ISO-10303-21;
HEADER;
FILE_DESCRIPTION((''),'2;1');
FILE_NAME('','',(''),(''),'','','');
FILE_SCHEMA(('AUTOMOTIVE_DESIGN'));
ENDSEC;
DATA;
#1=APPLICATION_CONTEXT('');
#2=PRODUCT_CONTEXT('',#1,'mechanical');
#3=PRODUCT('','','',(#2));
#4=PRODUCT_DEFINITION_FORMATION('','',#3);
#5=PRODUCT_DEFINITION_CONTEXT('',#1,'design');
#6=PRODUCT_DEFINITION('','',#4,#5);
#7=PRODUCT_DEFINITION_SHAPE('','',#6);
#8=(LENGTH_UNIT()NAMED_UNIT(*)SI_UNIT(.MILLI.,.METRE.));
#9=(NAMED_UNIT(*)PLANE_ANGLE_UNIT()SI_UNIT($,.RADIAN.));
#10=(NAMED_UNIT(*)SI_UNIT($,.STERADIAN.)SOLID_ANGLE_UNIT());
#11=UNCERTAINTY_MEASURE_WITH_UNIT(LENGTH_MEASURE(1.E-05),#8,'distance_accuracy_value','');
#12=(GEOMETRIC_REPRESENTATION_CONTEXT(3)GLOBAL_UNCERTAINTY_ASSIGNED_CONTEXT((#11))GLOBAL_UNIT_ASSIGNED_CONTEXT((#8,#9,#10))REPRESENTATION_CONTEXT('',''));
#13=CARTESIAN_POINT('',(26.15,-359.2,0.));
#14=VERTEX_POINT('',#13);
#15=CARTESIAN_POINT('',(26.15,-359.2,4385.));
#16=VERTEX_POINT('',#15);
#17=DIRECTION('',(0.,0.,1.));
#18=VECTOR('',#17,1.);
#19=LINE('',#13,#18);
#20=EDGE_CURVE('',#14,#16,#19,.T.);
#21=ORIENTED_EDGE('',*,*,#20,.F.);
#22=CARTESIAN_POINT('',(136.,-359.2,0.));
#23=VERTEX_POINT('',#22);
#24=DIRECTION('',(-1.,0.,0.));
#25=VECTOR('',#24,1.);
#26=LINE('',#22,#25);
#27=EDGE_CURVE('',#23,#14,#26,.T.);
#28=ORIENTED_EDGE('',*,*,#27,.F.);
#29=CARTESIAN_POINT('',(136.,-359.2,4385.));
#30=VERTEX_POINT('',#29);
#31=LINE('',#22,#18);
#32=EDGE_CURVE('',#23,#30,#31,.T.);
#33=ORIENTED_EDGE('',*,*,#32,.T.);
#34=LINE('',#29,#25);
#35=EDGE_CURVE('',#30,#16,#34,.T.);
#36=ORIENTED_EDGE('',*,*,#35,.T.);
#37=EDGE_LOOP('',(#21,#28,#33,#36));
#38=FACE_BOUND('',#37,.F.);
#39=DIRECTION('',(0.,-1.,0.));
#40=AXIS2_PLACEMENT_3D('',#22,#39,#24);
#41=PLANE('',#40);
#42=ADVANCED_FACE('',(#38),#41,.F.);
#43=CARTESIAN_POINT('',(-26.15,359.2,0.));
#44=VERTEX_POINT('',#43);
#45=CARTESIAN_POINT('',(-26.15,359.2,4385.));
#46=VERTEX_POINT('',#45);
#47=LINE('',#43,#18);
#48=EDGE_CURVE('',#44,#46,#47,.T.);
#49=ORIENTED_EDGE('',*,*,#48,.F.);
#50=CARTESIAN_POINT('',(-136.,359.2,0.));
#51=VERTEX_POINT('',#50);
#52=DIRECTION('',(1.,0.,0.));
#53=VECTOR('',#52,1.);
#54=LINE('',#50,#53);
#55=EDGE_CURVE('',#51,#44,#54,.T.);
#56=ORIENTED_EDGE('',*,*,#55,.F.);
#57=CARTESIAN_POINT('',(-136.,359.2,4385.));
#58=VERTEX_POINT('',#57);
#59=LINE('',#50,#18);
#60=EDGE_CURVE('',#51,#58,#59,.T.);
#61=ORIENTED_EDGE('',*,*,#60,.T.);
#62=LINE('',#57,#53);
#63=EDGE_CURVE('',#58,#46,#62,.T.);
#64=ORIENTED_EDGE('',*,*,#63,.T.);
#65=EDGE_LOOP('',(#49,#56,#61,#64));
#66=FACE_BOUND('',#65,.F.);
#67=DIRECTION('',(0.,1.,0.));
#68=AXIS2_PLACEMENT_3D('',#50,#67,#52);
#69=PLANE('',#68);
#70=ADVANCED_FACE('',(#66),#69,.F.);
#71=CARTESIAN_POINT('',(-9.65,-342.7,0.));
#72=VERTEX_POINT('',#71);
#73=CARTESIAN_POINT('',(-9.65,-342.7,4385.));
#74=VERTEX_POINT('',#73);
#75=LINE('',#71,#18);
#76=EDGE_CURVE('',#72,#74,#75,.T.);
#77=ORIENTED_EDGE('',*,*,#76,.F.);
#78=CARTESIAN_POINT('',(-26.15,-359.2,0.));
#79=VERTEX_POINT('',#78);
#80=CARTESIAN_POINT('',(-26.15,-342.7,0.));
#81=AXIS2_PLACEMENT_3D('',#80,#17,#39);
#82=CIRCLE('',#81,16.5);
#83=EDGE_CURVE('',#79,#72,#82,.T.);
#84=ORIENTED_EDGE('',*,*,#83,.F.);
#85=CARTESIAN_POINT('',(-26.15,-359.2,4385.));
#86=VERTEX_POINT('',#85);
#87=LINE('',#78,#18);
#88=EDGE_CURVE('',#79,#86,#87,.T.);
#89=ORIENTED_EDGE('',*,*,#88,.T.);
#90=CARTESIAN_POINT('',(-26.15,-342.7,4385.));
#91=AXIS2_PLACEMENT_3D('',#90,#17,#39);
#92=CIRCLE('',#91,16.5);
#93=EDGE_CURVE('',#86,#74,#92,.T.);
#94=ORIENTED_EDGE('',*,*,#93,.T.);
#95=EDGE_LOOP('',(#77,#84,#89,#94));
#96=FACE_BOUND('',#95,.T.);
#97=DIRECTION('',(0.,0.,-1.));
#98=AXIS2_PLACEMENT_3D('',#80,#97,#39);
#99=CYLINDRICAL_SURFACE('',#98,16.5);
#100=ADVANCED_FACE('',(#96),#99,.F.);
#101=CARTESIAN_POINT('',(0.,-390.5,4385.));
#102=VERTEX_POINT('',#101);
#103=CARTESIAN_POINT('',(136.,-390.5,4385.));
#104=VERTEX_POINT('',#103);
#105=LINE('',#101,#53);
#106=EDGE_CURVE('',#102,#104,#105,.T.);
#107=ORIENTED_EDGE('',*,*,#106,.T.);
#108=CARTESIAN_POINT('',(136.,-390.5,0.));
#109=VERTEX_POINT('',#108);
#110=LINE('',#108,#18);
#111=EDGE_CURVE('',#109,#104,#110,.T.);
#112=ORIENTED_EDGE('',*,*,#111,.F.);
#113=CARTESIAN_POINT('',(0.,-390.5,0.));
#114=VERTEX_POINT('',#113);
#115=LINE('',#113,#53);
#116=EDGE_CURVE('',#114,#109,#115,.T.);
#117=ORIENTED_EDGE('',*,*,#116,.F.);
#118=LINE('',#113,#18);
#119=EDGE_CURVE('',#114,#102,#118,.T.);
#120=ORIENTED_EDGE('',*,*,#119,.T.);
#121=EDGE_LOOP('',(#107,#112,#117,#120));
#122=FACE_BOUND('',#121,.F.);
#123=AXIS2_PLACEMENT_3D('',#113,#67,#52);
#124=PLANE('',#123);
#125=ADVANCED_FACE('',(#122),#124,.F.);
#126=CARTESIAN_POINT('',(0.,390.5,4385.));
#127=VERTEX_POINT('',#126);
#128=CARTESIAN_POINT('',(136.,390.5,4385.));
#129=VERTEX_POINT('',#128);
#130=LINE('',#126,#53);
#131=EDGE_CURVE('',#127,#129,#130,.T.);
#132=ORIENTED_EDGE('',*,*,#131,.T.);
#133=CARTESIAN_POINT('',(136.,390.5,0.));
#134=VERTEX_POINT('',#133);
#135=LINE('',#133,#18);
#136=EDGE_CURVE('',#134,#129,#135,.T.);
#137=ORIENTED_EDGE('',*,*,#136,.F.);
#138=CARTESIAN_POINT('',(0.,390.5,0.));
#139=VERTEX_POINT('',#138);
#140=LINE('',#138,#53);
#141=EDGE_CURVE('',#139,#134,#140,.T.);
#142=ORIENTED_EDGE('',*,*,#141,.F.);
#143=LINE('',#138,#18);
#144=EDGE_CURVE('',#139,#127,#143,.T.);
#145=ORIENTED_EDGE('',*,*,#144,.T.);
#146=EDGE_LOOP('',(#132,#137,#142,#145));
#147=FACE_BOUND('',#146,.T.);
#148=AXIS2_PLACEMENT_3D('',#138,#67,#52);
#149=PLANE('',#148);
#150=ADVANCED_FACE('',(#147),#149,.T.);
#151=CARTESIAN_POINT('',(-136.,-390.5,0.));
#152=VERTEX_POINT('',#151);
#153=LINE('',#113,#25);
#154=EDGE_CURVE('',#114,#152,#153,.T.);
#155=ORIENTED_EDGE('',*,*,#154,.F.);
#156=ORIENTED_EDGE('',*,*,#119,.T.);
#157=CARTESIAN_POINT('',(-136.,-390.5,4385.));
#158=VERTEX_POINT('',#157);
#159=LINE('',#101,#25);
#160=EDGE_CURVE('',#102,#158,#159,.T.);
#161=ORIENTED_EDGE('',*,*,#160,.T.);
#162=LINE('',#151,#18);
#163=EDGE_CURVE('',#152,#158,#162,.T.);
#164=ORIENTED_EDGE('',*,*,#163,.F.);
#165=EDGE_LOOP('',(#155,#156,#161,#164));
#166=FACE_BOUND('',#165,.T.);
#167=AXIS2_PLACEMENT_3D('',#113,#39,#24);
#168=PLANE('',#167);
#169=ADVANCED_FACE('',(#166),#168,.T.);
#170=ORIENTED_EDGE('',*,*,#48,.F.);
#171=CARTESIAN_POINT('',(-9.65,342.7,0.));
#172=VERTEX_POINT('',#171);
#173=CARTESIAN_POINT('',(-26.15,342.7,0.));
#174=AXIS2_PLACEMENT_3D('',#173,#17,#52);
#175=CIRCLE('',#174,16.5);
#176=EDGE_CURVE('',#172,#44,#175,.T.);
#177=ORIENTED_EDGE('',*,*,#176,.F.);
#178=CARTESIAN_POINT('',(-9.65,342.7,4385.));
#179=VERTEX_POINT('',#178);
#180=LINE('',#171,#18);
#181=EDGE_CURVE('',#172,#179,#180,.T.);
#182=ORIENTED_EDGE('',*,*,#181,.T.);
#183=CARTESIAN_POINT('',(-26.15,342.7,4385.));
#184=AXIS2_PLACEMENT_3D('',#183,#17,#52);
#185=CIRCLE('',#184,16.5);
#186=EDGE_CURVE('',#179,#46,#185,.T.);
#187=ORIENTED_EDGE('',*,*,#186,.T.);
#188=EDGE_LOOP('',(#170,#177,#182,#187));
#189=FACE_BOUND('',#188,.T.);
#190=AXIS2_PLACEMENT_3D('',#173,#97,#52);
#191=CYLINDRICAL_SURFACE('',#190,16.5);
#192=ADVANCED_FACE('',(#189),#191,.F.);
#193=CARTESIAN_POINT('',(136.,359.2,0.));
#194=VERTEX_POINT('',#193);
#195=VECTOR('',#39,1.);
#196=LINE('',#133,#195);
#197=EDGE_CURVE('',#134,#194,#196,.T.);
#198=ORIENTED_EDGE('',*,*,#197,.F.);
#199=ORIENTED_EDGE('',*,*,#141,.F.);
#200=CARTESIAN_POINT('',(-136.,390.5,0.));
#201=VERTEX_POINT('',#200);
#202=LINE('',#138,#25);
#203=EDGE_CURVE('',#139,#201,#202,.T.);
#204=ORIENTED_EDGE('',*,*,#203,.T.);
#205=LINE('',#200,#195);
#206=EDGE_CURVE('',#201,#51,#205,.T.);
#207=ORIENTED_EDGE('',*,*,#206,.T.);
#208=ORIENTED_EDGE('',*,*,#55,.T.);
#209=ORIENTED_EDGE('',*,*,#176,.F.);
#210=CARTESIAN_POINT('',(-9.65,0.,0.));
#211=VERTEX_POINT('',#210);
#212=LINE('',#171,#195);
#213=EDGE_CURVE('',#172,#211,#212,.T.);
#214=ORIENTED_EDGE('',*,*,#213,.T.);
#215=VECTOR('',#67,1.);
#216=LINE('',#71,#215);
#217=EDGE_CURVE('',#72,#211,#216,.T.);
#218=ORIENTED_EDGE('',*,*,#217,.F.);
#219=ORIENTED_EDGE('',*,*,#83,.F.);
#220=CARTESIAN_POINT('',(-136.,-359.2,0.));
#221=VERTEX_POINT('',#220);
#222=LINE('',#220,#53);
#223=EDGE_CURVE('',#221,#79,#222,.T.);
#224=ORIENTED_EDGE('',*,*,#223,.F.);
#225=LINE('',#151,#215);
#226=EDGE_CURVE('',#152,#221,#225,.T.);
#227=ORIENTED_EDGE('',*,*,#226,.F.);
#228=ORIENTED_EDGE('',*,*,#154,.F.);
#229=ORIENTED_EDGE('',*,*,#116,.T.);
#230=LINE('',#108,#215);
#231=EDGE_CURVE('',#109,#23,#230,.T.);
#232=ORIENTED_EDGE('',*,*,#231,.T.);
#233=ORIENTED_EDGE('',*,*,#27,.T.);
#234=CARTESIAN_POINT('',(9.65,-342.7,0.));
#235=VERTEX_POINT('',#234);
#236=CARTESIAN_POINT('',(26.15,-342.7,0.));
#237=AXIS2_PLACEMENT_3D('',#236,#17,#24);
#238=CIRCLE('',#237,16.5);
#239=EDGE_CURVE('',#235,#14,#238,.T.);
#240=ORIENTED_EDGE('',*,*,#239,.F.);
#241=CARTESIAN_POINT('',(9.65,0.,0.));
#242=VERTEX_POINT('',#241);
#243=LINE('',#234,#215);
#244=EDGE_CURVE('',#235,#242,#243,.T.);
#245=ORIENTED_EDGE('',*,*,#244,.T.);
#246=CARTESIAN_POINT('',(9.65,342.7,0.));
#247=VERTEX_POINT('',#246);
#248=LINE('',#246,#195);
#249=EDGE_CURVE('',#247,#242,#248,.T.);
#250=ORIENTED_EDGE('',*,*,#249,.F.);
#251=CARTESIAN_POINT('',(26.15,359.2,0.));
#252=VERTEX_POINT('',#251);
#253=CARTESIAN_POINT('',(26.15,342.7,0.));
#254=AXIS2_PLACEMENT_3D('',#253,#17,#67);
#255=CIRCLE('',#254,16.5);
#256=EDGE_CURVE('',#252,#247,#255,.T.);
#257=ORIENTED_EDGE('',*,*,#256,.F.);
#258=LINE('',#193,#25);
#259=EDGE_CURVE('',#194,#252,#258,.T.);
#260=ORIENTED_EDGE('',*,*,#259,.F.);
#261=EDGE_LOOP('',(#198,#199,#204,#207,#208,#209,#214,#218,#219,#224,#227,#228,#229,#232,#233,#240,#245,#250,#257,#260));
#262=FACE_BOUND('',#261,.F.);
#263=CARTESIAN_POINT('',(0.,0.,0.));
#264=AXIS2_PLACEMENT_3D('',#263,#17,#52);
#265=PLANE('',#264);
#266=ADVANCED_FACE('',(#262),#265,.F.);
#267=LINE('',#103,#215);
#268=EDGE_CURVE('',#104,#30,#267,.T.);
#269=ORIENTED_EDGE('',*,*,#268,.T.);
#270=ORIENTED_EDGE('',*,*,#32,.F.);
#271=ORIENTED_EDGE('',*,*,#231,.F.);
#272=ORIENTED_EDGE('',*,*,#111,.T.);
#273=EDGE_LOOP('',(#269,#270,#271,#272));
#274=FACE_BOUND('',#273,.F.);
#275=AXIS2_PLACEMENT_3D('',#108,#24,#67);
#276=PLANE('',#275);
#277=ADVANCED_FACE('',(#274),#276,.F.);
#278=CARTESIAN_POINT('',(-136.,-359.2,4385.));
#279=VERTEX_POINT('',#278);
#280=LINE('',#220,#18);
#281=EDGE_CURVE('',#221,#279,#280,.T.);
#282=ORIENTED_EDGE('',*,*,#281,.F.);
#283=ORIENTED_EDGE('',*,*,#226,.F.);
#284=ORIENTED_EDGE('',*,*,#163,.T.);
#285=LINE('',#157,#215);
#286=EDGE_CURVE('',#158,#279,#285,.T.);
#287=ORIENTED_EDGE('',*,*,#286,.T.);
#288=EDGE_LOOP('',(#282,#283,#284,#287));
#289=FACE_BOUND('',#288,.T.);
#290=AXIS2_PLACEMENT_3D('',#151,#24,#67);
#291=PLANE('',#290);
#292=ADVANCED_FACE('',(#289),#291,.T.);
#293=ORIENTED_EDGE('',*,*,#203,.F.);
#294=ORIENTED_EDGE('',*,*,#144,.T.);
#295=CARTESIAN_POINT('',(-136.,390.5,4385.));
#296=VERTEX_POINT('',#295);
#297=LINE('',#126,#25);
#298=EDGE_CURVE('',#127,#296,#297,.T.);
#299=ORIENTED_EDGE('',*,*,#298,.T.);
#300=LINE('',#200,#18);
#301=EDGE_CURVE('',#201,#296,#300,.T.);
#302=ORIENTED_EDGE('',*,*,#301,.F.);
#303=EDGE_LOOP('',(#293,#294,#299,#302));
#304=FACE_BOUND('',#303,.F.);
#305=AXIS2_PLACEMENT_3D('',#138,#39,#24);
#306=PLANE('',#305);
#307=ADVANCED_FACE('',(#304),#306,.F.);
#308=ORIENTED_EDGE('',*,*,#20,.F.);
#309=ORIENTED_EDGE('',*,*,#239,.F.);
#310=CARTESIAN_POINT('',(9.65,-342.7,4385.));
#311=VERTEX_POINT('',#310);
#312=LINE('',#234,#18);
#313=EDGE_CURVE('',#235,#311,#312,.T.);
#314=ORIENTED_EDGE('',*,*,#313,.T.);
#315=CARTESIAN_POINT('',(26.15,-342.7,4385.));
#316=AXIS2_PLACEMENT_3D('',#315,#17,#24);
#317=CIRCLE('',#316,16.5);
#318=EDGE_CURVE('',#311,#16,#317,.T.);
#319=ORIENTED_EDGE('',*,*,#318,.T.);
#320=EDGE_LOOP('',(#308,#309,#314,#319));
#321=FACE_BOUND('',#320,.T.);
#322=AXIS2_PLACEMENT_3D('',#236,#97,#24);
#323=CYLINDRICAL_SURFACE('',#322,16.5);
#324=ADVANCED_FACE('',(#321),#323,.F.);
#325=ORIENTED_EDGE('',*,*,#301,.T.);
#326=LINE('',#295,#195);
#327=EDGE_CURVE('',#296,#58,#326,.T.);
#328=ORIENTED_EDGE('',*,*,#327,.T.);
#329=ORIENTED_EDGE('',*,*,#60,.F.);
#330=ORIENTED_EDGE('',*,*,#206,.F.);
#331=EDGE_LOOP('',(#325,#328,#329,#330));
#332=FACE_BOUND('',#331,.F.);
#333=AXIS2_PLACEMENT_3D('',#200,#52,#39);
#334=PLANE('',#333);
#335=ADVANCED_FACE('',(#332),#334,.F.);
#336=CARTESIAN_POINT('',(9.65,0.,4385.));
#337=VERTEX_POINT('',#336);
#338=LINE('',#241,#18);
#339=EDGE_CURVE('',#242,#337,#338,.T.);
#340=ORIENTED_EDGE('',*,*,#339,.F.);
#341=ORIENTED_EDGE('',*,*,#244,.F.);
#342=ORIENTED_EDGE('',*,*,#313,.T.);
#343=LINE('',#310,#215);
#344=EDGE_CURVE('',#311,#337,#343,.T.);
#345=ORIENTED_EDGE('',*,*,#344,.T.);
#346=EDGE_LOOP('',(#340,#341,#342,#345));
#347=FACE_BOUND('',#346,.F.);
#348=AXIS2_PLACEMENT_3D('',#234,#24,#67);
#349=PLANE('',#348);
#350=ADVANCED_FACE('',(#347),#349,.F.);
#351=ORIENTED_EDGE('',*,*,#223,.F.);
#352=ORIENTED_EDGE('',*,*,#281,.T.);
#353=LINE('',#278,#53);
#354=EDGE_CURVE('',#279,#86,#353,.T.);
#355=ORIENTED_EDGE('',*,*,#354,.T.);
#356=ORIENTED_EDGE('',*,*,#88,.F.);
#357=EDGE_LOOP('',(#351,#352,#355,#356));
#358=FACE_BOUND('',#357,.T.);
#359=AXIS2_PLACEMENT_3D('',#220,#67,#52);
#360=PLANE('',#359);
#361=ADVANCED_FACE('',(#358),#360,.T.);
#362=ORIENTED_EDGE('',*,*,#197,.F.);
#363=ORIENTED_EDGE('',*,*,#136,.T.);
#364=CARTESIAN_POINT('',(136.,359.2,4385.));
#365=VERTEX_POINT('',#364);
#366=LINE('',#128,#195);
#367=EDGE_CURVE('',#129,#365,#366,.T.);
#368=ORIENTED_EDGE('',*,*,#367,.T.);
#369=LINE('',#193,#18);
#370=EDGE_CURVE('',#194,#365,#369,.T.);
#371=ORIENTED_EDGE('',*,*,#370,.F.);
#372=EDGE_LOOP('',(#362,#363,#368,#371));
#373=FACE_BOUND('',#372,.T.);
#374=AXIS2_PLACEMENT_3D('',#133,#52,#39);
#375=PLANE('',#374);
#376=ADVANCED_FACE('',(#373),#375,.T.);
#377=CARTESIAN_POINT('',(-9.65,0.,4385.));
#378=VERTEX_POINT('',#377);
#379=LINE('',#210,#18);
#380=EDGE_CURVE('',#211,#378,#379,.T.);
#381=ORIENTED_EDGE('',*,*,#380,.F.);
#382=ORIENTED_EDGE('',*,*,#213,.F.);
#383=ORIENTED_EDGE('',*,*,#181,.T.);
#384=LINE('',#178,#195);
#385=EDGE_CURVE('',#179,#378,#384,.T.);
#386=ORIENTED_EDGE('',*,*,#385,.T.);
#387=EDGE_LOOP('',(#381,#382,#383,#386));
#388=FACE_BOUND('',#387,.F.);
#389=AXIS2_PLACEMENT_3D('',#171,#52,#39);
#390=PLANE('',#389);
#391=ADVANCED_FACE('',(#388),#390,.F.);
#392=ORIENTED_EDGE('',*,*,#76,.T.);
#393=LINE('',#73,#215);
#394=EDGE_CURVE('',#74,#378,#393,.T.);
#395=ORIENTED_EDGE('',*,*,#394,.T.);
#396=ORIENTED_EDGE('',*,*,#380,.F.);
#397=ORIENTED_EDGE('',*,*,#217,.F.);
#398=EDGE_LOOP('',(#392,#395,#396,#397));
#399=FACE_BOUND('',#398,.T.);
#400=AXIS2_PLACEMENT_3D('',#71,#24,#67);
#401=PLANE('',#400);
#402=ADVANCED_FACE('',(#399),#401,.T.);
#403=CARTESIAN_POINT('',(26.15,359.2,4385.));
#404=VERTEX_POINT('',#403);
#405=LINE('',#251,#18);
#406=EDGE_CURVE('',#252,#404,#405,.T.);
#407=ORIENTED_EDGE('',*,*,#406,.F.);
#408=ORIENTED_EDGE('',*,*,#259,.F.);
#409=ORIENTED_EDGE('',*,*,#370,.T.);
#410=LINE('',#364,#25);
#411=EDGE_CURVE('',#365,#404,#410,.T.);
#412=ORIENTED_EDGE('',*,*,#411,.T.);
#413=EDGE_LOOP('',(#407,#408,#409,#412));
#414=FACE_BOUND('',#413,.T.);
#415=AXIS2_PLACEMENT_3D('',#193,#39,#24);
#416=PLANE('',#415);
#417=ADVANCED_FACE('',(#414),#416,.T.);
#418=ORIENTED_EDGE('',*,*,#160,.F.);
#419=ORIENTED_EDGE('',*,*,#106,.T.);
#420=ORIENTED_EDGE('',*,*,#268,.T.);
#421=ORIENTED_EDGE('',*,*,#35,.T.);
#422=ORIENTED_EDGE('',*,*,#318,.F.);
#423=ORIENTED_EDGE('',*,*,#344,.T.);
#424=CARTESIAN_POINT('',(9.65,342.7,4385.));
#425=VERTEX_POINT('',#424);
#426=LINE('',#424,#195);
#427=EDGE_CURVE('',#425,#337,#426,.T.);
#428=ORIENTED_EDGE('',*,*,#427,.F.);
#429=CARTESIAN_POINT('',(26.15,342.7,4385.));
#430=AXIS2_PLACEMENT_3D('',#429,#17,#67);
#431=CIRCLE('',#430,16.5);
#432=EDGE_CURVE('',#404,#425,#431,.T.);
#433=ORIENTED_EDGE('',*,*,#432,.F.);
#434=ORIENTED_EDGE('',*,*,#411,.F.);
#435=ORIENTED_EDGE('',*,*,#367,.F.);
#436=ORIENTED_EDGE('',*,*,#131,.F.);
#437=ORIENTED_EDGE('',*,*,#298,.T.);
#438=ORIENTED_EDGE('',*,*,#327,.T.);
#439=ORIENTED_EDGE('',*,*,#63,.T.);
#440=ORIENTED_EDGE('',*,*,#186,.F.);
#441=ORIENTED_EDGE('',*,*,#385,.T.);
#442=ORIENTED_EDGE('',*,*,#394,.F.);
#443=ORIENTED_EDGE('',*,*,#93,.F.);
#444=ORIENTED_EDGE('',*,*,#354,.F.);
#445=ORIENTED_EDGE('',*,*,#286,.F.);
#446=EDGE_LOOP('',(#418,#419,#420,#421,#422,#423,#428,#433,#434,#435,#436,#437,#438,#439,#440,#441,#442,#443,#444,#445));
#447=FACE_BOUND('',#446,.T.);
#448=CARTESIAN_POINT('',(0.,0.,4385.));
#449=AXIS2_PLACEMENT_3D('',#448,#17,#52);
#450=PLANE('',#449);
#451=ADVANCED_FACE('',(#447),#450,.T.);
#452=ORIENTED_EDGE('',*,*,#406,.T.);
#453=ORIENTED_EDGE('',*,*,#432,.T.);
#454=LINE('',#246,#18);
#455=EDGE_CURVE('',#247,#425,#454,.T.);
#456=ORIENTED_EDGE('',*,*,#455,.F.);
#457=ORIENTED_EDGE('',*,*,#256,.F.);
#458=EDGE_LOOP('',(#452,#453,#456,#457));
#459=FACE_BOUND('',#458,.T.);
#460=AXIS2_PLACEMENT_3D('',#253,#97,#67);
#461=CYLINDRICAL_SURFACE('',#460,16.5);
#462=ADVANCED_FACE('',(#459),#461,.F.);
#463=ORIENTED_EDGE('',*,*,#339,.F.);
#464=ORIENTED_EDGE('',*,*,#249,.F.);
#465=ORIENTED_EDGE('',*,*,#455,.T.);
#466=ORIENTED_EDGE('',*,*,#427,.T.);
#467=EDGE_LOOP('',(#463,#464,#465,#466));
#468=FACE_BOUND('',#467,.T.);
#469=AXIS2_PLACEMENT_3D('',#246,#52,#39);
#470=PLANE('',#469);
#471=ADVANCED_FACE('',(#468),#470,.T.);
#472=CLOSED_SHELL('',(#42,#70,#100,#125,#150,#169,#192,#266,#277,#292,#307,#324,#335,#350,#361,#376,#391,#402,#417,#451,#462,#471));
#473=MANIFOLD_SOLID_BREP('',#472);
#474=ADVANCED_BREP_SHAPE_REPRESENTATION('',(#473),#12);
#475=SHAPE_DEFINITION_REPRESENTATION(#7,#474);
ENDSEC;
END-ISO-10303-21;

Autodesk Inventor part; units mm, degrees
ref_plane "YZ Plane" through (0, 0, 0) normal (1, 0, 0) x (0, 1, 0)
ref_plane "Start plane" through (0, 0, 0) normal (0, 0, 1) x (1, 0, 0)
ref_plane "End plane" through (0, 0, 4385) normal (0, 0, 1) x (1, 0, 0)
sketch "Sketch" plane through (0, 0, 0) normal (0, 0, 1) x (1, 0, 0)
  line L0 (-136, -390.5) -> (-136, -359.2)
  line L1 (-136, -359.2) -> (-26.15, -359.2)
  line L2 (-9.65, -342.7) -> (-9.65, 0)
  line L3 (-9.65, 0) -> (0, 0) construction
  line L4 (0, 0) -> (0, -390.5) construction
  line L5 (0, -390.5) -> (-136, -390.5)
  line L6 (-60, 0) -> (80, 0) construction
  line L7 (0, -60) -> (0, 80) construction
  line L8 (136, -390.5) -> (136, -359.2)
  line L9 (136, -359.2) -> (26.15, -359.2)
  line L10 (9.65, -342.7) -> (9.65, 0)
  line L11 (9.65, 0) -> (0, 0) construction
  line L12 (0, -390.5) -> (136, -390.5)
  line L13 (-136, 390.5) -> (-136, 359.2)
  line L14 (-136, 359.2) -> (-26.15, 359.2)
  line L15 (-9.65, 342.7) -> (-9.65, 0)
  line L16 (0, 390.5) -> (-136, 390.5)
  line L17 (136, 390.5) -> (136, 359.2)
  line L18 (136, 359.2) -> (26.15, 359.2)
  line L19 (0, 390.5) -> (136, 390.5)
  line L20 (9.65, 342.7) -> (9.65, 0)
  arc A0 (-9.65, 342.7) -> (-26.15, 359.2) centre (-26.15, 342.7) ccw
  arc A1 (26.15, 359.2) -> (9.65, 342.7) centre (26.15, 342.7) ccw
  arc A2 (9.65, -342.7) -> (26.15, -359.2) centre (26.15, -342.7) ccw
  arc A3 (-26.15, -359.2) -> (-9.65, -342.7) centre (-26.15, -342.7) ccw
  line L21 (0, 108) -> (0, -88) construction
  line L22 (-88, 0) -> (108, 0) construction
  point P0 (-9.65, -359.2)
  point P1 (9.65, -359.2)
  point P2 (-9.65, 359.2)
  point P3 (9.65, 359.2)
  dimension "d1" = 390.5
  dimension "d2" = 31.3
  dimension "d3" = 136
  dimension "d4" = 9.65
  dimension "d10" = 16.5
extrude "Body" add sketch "Sketch" along normal up to surface (4385 mm away) from surface at 0
sketch "Sketch4" plane through (0, 0, 0) normal (0, 0, 1) x (1, 0, 0)
  line L0 (0, 0) -> (10, 0)
ref_plane "Work Plane3" through (0, 0, 0) normal (0, -1, 0) x (1, 0, 0)
sketch "Sketch5" plane through (0, 0, 0) normal (0, -1, 0) x (1, 0, 0)
  line L0 (-2, 0) -> (12, 0) projected
  line L1 (-2, 4385) -> (12, 4385) projected
  dimension "d14" = 4385
equation "\"d1\" = 0.5 * G_H"
equation "\"d2\" = G_T1"
equation "\"d3\" = 0.5 * G_W"
equation "\"d4\" = 0.5 * G_T"
equation "\"d10\" = G_IR"
equation "\"d5\" = G_L"
equation "\"G_W\" = 272"
equation "\"G_H\" = 781"
equation "\"G_T\" = 19.3"
equation "\"G_T1\" = 31.3"
equation "\"G_IR\" = 16.5"
equation "\"G_L\" = d14"
equation "\"G_OFFSET_START\" = 0"
equation "\"G_OFFSET_END\" = 0"
equation "\"d12\" = G_OFFSET_END + B_L"
equation "\"B_L\" = 4385"
properties part number "AS 3679-1990 - 760 UB - 244 - 4385" material "Steel, Mild"
